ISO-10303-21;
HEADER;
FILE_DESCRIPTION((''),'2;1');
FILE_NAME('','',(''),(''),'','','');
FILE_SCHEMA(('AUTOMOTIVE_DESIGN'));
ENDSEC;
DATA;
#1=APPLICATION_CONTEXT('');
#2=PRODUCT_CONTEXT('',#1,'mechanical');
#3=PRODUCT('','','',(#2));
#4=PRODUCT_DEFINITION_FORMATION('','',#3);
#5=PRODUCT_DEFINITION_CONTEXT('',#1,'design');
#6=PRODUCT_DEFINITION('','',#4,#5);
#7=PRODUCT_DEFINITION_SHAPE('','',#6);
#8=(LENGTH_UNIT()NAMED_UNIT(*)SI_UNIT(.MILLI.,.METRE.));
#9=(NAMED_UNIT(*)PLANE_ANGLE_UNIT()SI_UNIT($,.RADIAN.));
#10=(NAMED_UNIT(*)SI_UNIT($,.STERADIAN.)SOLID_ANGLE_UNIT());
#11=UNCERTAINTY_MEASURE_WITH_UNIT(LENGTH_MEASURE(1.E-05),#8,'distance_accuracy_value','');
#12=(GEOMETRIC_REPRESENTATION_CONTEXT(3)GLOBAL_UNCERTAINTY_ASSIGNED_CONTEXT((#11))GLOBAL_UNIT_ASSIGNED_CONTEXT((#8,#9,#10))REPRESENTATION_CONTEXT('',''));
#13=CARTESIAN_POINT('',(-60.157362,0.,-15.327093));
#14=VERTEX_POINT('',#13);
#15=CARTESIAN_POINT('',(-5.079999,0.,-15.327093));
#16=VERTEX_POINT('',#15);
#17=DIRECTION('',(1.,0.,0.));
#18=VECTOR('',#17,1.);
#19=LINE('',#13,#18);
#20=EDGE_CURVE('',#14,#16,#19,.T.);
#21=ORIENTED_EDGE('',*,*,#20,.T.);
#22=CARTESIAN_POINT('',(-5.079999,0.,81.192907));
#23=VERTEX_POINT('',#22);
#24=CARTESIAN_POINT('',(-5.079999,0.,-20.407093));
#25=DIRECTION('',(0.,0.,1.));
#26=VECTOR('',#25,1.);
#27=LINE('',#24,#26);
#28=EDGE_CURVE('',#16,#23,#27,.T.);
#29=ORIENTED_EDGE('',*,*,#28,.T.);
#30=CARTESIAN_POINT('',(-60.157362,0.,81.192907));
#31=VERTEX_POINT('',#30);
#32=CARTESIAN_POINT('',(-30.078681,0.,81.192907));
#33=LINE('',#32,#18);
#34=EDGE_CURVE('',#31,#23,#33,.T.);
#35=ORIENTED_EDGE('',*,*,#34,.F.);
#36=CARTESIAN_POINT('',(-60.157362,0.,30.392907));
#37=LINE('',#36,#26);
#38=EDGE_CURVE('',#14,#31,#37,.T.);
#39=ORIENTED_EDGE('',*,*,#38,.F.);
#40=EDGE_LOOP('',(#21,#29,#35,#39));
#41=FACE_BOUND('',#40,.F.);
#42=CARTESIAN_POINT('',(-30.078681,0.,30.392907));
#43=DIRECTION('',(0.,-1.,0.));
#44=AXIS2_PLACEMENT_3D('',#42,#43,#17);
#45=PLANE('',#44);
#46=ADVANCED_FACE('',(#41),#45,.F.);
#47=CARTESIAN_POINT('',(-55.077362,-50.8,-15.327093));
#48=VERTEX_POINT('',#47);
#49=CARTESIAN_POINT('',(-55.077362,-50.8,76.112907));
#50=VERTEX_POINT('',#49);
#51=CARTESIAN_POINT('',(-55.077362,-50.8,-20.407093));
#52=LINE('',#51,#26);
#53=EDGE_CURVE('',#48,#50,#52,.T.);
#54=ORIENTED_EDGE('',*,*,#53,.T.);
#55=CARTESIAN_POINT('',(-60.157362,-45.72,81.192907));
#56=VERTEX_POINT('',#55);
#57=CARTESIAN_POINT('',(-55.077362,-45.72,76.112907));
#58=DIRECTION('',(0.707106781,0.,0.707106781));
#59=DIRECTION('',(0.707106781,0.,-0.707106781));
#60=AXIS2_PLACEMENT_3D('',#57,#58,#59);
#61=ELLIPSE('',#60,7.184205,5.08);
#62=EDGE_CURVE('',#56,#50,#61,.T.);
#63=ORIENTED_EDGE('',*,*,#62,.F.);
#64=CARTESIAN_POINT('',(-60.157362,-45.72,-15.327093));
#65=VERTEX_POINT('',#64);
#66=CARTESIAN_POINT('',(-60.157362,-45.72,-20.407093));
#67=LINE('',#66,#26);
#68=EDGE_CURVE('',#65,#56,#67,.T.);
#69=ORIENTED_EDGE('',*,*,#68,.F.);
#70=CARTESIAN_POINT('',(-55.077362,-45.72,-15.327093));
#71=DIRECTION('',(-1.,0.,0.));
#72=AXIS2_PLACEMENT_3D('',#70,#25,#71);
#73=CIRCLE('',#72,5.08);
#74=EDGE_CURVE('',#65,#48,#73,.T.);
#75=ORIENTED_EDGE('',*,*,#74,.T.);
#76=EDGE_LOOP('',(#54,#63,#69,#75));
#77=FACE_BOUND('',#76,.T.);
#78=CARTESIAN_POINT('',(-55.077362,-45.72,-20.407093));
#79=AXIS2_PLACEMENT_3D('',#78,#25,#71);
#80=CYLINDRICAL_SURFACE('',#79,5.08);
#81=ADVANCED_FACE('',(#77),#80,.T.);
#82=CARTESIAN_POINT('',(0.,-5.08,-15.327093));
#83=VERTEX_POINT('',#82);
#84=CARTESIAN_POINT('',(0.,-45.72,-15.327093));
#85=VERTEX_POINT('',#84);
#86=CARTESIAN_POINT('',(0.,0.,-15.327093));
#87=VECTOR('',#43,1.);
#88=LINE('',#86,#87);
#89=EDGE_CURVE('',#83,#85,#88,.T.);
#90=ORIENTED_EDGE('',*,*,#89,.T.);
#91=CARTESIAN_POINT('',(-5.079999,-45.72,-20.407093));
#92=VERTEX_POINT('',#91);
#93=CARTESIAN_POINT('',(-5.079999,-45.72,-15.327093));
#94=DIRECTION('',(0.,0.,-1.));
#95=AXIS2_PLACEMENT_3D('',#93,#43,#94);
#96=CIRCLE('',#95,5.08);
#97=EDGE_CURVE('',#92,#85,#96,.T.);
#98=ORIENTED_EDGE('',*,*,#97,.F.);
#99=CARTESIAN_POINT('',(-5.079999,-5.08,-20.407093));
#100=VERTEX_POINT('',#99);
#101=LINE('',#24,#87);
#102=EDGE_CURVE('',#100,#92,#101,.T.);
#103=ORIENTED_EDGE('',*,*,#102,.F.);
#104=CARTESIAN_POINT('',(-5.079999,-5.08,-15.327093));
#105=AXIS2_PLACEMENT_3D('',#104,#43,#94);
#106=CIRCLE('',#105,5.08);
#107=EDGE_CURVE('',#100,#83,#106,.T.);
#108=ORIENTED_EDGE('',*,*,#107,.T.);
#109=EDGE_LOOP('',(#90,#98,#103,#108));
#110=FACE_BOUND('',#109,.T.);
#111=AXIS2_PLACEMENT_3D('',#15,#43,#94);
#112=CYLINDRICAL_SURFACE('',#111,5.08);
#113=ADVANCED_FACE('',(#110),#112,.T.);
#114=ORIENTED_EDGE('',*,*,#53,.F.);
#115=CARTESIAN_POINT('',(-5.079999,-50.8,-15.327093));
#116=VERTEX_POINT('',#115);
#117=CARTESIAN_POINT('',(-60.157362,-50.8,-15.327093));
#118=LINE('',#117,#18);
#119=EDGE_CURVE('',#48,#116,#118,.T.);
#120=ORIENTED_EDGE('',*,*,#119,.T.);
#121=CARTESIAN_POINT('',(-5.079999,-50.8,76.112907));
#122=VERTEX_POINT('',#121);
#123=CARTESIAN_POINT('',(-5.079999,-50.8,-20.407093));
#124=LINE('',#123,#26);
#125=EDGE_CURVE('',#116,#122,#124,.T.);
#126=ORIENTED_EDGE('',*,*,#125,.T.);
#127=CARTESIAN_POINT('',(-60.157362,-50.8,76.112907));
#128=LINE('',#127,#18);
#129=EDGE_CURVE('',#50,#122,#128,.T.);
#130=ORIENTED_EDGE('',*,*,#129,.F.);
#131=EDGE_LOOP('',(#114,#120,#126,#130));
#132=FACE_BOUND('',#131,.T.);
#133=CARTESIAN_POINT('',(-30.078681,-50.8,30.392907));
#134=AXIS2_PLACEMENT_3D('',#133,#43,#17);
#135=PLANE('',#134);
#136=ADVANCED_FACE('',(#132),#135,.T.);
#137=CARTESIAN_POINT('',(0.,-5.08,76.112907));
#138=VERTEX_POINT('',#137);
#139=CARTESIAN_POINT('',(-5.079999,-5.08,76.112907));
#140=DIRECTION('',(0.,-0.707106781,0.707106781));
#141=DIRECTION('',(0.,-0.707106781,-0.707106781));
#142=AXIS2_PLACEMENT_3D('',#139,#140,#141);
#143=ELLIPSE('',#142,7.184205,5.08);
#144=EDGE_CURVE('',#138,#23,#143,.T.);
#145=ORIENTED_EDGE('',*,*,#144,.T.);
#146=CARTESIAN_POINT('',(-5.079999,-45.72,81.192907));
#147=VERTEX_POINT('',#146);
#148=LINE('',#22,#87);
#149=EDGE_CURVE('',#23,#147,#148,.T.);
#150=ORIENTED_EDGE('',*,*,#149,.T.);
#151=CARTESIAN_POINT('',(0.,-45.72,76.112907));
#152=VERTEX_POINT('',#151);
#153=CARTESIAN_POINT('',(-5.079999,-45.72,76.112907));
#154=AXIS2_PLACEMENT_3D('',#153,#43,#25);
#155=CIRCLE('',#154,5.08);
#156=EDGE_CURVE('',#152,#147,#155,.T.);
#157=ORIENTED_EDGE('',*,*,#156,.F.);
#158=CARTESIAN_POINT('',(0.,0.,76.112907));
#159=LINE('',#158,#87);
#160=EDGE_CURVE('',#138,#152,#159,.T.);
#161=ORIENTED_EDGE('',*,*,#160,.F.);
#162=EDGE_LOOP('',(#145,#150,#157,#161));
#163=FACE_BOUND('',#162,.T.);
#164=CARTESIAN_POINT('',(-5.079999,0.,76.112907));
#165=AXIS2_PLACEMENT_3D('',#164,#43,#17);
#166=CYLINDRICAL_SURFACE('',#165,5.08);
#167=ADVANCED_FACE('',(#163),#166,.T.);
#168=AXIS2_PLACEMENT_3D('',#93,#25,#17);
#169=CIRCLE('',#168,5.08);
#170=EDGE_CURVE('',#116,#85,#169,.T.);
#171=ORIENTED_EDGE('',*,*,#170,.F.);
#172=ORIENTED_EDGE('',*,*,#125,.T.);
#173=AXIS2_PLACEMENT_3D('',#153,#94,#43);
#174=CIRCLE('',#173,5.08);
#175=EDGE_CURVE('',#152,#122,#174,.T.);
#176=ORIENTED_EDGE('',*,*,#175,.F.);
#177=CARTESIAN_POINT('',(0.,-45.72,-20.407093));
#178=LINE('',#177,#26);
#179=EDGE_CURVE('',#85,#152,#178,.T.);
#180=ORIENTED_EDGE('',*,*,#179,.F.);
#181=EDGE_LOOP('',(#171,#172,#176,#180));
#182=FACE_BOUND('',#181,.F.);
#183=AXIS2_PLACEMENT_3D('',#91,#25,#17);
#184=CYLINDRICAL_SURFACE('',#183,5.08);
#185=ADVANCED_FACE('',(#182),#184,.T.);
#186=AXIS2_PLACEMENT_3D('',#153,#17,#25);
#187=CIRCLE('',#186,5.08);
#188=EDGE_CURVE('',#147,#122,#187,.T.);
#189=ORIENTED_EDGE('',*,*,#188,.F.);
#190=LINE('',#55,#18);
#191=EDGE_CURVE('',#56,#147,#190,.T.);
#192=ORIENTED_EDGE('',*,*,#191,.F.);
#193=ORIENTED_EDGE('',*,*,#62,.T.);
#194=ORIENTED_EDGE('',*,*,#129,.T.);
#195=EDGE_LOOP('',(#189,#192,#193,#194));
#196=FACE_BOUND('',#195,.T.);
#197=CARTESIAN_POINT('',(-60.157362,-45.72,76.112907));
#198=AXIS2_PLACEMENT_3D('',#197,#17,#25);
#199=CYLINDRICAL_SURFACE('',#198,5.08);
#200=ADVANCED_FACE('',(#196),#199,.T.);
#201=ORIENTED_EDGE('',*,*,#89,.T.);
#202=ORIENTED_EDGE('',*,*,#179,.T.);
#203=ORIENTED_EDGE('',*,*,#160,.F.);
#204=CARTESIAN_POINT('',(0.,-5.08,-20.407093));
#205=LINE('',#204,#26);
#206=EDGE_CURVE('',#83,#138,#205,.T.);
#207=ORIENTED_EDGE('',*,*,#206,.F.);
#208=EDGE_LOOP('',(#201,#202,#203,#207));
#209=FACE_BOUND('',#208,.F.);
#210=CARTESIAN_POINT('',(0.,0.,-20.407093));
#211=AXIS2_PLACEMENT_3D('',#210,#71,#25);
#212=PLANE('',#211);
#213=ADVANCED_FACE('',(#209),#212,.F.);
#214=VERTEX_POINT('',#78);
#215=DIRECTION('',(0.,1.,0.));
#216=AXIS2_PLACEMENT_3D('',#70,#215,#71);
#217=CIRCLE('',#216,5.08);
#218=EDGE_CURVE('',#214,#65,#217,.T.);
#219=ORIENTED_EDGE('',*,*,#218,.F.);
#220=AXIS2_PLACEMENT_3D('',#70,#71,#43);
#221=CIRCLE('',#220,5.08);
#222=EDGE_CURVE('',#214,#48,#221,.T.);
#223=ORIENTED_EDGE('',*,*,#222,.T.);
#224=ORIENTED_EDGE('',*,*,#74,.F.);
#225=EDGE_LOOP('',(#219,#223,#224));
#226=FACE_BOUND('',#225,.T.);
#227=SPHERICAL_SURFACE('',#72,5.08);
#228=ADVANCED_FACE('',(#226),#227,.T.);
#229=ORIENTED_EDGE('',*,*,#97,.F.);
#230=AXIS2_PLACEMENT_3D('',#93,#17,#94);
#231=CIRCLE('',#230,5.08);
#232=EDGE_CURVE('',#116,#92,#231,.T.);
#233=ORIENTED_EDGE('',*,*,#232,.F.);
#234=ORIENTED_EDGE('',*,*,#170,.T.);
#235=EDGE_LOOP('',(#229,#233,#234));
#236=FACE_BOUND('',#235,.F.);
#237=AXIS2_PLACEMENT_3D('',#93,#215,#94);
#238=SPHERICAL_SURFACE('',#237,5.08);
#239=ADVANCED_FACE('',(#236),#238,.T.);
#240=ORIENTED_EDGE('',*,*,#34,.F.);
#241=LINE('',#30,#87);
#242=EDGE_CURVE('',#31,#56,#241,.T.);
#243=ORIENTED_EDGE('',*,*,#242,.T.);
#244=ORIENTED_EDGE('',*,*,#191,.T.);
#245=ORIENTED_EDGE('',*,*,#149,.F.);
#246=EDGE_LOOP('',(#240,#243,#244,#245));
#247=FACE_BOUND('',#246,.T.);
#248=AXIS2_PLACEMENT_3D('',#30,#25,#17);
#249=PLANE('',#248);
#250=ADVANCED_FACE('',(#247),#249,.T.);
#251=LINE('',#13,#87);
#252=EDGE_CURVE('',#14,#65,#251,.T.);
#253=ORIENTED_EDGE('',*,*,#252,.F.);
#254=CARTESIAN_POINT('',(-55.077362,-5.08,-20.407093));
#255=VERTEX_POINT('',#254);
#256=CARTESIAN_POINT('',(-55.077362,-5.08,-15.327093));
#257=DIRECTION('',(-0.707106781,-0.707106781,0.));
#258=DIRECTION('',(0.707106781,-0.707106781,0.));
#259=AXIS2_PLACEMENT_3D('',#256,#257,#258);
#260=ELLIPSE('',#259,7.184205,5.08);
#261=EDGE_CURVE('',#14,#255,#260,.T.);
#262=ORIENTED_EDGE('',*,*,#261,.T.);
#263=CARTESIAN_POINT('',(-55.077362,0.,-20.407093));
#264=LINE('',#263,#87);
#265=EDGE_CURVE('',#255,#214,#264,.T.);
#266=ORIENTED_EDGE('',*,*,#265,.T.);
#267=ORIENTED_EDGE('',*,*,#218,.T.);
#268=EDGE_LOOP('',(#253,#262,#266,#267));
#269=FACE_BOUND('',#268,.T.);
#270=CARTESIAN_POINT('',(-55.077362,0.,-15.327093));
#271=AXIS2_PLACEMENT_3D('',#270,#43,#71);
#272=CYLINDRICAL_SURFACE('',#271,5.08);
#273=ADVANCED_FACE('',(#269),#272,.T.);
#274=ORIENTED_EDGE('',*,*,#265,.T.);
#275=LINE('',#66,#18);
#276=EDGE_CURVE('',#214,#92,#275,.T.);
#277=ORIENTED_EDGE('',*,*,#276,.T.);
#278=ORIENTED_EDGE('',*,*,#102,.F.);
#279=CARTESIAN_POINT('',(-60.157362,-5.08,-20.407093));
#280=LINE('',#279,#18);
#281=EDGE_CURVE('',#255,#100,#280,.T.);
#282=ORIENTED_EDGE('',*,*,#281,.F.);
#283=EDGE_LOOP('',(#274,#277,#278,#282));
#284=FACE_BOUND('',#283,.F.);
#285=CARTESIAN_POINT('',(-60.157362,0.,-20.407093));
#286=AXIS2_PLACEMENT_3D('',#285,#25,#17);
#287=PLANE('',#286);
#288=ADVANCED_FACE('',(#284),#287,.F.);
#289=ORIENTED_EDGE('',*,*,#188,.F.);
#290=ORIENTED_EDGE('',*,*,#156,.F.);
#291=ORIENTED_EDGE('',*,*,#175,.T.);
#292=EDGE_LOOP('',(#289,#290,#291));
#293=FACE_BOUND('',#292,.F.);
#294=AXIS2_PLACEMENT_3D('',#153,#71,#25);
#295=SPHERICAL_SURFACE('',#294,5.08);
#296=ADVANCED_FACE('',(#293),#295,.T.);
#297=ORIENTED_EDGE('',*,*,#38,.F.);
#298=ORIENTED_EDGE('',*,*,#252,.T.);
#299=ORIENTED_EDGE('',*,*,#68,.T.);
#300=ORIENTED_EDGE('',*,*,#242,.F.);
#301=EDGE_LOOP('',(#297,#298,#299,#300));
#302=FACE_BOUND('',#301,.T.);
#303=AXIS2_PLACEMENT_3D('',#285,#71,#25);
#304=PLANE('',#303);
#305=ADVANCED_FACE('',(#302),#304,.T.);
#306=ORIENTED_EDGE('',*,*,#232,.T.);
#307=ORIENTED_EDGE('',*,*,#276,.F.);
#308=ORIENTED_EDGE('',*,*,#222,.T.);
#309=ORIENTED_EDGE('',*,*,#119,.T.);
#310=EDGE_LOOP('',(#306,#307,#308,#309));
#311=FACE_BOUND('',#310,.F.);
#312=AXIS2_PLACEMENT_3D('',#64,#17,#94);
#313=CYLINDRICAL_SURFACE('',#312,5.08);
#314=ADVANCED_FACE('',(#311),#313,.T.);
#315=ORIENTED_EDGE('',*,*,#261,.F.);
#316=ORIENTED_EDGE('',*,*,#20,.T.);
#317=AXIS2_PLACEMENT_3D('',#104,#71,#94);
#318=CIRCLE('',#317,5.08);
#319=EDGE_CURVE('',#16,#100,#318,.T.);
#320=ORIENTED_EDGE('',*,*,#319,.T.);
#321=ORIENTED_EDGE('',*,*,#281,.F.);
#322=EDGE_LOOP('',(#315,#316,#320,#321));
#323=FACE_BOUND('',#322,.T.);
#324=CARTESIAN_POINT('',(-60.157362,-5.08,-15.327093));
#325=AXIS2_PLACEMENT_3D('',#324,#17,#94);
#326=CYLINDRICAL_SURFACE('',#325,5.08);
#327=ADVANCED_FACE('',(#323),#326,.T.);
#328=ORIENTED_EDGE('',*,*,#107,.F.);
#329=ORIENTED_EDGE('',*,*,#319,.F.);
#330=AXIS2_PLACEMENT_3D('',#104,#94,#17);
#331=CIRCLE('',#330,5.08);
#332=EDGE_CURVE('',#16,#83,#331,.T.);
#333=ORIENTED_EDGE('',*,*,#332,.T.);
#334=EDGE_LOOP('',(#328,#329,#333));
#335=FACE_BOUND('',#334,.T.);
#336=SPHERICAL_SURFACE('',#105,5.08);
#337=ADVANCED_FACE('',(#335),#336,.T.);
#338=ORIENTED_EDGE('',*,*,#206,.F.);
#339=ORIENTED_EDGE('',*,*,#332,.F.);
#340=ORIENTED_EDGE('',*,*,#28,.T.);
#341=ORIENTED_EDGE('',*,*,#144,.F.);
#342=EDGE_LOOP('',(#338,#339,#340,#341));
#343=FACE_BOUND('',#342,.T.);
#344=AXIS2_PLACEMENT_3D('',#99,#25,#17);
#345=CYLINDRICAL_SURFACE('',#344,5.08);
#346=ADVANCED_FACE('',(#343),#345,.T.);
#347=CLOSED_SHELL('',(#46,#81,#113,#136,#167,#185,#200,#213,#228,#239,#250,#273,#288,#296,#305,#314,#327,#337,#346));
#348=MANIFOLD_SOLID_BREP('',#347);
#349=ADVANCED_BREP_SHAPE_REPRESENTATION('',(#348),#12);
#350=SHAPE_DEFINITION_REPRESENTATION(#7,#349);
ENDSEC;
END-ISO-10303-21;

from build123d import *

# Parameters (mm, degrees)
F0_W     = 60.157363
F0_H     = 101.6
F1_DEPTH = 50.8
F2_R     = 5.08


with BuildPart() as f1:
    # F0 (on Front) → F1 (new body)
    with BuildSketch(Plane.XZ):
        with Locations((-30.078681, 30.392907)):
            Rectangle(F0_W, F0_H)
    extrude(amount=F1_DEPTH)

    # F2
    f2_edges = [f1.edges().sort_by_distance(p)[0] for p in [
        (-30.078682, -50.8, 81.192907),
        (-60.157363, -50.8, 30.392907),
        (-60.157363, -25.4, -20.407093),
        (0, -25.4, -20.407093),
        (-30.078682, 0, -20.407093),
        (-30.078682, -50.8, -20.407093),
        (0, -25.4, 81.192907),
        (0, 0, 30.392907),
        (0, -50.8, 30.392907),
    ]]
    fillet(f2_edges, radius=F2_R)


solid = f1.part
